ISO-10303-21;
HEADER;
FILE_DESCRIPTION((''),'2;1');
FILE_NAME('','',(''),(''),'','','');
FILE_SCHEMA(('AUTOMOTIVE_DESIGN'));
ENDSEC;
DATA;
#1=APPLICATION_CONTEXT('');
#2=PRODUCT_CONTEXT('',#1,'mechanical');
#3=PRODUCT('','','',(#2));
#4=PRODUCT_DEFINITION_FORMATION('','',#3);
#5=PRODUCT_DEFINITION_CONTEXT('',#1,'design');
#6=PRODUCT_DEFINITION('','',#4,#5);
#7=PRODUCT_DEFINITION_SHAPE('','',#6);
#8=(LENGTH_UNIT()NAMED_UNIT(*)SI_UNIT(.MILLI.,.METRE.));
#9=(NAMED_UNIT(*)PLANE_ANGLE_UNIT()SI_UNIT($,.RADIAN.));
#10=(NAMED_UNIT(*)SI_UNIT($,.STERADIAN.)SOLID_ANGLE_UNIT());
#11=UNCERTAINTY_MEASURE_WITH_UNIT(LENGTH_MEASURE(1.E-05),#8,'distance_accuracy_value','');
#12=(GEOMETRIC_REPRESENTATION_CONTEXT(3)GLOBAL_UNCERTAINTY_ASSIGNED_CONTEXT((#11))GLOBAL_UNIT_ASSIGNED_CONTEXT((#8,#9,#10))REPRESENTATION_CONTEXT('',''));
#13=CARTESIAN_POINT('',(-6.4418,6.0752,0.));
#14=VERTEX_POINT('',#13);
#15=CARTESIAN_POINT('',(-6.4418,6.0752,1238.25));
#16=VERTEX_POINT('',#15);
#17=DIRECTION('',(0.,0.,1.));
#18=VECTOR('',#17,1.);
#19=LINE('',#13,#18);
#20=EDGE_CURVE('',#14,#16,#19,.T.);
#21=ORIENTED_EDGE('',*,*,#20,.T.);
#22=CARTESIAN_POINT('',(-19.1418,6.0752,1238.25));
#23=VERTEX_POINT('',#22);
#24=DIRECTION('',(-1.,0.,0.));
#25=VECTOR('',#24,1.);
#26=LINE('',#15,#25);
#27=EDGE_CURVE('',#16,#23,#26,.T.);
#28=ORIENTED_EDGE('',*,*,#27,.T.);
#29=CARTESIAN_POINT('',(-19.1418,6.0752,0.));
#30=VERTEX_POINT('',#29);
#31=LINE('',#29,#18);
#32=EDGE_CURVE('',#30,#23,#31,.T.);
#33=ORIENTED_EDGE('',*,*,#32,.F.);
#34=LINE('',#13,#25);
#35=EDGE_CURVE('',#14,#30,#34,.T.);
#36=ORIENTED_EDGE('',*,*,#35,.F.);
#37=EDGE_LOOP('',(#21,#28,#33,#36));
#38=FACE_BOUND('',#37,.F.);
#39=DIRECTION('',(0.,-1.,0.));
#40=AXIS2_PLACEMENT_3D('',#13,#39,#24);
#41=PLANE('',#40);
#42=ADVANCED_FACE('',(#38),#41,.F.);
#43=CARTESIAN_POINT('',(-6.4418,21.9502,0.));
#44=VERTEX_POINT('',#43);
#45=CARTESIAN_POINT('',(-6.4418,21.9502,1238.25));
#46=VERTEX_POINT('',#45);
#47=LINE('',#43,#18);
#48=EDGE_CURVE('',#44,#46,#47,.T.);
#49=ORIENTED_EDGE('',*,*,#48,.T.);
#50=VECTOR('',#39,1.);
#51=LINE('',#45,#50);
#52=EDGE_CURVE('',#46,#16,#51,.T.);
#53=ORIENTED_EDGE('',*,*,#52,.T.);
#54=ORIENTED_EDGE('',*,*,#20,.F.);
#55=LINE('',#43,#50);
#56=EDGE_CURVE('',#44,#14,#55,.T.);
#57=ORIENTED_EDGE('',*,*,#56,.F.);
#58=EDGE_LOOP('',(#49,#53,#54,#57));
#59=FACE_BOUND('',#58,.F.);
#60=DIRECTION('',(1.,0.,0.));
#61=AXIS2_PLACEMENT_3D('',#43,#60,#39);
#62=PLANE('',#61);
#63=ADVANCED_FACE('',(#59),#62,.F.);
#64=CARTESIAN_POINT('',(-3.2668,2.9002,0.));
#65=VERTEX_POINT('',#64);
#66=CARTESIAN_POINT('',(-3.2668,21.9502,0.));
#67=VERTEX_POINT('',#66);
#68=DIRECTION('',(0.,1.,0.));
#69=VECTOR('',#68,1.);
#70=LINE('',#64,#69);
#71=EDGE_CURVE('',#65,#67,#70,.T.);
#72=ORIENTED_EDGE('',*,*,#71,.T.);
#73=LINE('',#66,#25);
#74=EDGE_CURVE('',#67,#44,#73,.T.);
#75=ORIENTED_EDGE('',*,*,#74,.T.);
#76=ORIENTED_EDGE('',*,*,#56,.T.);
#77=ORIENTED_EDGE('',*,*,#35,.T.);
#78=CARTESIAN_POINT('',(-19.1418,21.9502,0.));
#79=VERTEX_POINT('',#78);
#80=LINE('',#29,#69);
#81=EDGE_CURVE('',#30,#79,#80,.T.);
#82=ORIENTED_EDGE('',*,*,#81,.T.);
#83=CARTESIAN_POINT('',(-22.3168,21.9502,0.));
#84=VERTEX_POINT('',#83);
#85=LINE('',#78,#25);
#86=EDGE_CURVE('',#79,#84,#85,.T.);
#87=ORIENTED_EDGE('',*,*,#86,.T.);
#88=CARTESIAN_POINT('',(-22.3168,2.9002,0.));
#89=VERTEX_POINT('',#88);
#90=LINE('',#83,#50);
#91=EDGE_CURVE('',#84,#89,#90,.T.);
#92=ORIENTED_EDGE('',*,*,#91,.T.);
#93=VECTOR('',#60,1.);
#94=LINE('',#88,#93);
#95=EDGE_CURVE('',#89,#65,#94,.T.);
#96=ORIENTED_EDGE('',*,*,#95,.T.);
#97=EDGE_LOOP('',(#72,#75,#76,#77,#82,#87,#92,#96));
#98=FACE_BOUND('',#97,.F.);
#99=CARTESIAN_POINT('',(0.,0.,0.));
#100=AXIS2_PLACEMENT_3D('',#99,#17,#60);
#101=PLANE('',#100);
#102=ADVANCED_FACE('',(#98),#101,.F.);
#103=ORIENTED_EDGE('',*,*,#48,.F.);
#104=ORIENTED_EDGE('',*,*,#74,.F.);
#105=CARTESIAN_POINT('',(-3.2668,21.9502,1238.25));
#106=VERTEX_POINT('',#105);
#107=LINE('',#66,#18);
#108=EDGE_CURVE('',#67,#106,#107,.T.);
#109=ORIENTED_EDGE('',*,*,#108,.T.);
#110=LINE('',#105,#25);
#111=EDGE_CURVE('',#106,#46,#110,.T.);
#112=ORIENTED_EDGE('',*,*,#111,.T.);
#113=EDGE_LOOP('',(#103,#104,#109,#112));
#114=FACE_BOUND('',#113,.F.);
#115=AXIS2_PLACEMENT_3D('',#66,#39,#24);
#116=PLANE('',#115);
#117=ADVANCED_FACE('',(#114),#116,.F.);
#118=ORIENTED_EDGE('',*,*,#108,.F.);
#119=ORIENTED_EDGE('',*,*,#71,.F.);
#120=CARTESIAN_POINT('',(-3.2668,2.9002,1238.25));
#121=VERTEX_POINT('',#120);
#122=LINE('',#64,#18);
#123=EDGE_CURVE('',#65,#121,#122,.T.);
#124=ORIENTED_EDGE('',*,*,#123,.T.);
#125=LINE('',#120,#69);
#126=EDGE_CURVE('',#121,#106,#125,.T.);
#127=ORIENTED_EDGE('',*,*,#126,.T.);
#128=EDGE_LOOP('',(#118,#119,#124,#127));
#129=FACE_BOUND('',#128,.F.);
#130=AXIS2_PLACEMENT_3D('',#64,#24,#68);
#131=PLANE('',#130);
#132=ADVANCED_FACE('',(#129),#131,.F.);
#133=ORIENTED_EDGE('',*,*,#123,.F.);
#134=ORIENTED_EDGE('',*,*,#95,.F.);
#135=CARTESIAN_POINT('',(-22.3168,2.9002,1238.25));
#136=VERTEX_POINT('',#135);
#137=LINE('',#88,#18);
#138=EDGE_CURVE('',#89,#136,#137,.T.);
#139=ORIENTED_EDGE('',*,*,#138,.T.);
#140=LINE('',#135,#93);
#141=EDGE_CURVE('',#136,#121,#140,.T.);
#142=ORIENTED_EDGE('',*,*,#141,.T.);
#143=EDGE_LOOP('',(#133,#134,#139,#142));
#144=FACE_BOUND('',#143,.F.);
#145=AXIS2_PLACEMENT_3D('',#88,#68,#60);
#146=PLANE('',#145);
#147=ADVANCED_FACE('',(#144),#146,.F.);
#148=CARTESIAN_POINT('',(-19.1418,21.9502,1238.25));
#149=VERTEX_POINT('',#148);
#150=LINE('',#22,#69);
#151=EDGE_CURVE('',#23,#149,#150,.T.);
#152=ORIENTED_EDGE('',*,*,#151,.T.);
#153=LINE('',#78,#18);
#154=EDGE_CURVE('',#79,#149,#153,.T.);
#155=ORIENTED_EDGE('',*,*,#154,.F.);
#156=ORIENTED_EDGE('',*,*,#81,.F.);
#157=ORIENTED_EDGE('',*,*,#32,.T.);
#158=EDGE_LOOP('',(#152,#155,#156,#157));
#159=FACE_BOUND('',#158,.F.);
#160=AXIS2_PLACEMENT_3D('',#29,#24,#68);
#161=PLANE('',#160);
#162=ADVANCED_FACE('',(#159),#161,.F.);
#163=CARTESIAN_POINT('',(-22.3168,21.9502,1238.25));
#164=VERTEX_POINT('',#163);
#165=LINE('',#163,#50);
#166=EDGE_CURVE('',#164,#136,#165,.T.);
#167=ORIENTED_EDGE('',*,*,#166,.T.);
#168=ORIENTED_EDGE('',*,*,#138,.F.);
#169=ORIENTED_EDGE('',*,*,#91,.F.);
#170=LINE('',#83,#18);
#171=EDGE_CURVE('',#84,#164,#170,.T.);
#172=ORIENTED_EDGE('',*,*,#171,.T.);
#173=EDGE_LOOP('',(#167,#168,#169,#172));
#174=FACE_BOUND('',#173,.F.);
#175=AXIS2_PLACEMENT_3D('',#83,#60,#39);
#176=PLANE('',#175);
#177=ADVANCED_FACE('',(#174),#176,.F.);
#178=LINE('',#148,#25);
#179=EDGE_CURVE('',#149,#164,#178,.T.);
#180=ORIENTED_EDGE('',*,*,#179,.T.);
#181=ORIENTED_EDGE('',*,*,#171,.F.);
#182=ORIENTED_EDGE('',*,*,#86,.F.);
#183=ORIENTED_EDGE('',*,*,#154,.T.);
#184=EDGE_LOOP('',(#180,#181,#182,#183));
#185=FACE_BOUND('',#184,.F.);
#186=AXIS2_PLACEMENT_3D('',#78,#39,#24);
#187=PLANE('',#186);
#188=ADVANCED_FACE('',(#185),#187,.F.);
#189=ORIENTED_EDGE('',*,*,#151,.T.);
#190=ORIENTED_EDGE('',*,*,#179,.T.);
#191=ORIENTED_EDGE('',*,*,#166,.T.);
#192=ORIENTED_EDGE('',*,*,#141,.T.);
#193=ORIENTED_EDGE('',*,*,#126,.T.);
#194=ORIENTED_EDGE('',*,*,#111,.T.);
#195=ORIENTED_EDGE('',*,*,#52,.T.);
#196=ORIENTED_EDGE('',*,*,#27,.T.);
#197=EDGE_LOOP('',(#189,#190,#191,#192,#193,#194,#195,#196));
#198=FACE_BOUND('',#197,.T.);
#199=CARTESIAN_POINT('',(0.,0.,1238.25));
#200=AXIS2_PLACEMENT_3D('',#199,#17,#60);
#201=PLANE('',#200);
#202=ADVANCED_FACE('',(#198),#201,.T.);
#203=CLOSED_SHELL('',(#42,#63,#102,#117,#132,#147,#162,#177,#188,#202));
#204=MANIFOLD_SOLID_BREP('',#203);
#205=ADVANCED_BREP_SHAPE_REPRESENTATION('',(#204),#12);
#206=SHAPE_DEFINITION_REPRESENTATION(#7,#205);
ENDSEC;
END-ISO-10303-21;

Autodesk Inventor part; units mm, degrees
ref_plane "YZ Plane" through (0, 0, 0) normal (1, 0, 0) x (0, 1, 0)
ref_plane "XZ Plane" through (0, 0, 0) normal (0, 1, 0) x (-1, 0, 0)
ref_plane "XY Plane" through (0, 0, 0) normal (0, 0, 1) x (1, 0, 0)
sketch "Sketch1" plane through (0, 0, 0) normal (0, 0, 1) x (1, 0, 0)
  line L0 (-19.1418, 21.9502) -> (-22.3168, 21.9502)
  line L1 (-22.3168, 21.9502) -> (-22.3168, 2.9002)
  line L2 (-22.3168, 2.9002) -> (-3.2668, 2.9002)
  line L3 (-3.2668, 2.9002) -> (-3.2668, 21.9502)
  line L4 (-3.2668, 21.9502) -> (-6.4418, 21.9502)
  line L5 (-6.4418, 21.9502) -> (-6.4418, 6.0752)
  line L6 (-6.4418, 6.0752) -> (-19.1418, 6.0752)
  line L7 (-19.1418, 6.0752) -> (-19.1418, 21.9502)
  point P0 (0, 0)
  dimension "d0" = 12.7
  dimension "d2" = 3.175
  dimension "d3" = 3.175
  dimension "d4" = 19.05
  dimension "d5" = 15.875
  dimension "d6" = 15.875
extrude "Extrusion1" add sketch "Sketch1" along normal blind 1238.25
properties part number "GE-11041-02"
